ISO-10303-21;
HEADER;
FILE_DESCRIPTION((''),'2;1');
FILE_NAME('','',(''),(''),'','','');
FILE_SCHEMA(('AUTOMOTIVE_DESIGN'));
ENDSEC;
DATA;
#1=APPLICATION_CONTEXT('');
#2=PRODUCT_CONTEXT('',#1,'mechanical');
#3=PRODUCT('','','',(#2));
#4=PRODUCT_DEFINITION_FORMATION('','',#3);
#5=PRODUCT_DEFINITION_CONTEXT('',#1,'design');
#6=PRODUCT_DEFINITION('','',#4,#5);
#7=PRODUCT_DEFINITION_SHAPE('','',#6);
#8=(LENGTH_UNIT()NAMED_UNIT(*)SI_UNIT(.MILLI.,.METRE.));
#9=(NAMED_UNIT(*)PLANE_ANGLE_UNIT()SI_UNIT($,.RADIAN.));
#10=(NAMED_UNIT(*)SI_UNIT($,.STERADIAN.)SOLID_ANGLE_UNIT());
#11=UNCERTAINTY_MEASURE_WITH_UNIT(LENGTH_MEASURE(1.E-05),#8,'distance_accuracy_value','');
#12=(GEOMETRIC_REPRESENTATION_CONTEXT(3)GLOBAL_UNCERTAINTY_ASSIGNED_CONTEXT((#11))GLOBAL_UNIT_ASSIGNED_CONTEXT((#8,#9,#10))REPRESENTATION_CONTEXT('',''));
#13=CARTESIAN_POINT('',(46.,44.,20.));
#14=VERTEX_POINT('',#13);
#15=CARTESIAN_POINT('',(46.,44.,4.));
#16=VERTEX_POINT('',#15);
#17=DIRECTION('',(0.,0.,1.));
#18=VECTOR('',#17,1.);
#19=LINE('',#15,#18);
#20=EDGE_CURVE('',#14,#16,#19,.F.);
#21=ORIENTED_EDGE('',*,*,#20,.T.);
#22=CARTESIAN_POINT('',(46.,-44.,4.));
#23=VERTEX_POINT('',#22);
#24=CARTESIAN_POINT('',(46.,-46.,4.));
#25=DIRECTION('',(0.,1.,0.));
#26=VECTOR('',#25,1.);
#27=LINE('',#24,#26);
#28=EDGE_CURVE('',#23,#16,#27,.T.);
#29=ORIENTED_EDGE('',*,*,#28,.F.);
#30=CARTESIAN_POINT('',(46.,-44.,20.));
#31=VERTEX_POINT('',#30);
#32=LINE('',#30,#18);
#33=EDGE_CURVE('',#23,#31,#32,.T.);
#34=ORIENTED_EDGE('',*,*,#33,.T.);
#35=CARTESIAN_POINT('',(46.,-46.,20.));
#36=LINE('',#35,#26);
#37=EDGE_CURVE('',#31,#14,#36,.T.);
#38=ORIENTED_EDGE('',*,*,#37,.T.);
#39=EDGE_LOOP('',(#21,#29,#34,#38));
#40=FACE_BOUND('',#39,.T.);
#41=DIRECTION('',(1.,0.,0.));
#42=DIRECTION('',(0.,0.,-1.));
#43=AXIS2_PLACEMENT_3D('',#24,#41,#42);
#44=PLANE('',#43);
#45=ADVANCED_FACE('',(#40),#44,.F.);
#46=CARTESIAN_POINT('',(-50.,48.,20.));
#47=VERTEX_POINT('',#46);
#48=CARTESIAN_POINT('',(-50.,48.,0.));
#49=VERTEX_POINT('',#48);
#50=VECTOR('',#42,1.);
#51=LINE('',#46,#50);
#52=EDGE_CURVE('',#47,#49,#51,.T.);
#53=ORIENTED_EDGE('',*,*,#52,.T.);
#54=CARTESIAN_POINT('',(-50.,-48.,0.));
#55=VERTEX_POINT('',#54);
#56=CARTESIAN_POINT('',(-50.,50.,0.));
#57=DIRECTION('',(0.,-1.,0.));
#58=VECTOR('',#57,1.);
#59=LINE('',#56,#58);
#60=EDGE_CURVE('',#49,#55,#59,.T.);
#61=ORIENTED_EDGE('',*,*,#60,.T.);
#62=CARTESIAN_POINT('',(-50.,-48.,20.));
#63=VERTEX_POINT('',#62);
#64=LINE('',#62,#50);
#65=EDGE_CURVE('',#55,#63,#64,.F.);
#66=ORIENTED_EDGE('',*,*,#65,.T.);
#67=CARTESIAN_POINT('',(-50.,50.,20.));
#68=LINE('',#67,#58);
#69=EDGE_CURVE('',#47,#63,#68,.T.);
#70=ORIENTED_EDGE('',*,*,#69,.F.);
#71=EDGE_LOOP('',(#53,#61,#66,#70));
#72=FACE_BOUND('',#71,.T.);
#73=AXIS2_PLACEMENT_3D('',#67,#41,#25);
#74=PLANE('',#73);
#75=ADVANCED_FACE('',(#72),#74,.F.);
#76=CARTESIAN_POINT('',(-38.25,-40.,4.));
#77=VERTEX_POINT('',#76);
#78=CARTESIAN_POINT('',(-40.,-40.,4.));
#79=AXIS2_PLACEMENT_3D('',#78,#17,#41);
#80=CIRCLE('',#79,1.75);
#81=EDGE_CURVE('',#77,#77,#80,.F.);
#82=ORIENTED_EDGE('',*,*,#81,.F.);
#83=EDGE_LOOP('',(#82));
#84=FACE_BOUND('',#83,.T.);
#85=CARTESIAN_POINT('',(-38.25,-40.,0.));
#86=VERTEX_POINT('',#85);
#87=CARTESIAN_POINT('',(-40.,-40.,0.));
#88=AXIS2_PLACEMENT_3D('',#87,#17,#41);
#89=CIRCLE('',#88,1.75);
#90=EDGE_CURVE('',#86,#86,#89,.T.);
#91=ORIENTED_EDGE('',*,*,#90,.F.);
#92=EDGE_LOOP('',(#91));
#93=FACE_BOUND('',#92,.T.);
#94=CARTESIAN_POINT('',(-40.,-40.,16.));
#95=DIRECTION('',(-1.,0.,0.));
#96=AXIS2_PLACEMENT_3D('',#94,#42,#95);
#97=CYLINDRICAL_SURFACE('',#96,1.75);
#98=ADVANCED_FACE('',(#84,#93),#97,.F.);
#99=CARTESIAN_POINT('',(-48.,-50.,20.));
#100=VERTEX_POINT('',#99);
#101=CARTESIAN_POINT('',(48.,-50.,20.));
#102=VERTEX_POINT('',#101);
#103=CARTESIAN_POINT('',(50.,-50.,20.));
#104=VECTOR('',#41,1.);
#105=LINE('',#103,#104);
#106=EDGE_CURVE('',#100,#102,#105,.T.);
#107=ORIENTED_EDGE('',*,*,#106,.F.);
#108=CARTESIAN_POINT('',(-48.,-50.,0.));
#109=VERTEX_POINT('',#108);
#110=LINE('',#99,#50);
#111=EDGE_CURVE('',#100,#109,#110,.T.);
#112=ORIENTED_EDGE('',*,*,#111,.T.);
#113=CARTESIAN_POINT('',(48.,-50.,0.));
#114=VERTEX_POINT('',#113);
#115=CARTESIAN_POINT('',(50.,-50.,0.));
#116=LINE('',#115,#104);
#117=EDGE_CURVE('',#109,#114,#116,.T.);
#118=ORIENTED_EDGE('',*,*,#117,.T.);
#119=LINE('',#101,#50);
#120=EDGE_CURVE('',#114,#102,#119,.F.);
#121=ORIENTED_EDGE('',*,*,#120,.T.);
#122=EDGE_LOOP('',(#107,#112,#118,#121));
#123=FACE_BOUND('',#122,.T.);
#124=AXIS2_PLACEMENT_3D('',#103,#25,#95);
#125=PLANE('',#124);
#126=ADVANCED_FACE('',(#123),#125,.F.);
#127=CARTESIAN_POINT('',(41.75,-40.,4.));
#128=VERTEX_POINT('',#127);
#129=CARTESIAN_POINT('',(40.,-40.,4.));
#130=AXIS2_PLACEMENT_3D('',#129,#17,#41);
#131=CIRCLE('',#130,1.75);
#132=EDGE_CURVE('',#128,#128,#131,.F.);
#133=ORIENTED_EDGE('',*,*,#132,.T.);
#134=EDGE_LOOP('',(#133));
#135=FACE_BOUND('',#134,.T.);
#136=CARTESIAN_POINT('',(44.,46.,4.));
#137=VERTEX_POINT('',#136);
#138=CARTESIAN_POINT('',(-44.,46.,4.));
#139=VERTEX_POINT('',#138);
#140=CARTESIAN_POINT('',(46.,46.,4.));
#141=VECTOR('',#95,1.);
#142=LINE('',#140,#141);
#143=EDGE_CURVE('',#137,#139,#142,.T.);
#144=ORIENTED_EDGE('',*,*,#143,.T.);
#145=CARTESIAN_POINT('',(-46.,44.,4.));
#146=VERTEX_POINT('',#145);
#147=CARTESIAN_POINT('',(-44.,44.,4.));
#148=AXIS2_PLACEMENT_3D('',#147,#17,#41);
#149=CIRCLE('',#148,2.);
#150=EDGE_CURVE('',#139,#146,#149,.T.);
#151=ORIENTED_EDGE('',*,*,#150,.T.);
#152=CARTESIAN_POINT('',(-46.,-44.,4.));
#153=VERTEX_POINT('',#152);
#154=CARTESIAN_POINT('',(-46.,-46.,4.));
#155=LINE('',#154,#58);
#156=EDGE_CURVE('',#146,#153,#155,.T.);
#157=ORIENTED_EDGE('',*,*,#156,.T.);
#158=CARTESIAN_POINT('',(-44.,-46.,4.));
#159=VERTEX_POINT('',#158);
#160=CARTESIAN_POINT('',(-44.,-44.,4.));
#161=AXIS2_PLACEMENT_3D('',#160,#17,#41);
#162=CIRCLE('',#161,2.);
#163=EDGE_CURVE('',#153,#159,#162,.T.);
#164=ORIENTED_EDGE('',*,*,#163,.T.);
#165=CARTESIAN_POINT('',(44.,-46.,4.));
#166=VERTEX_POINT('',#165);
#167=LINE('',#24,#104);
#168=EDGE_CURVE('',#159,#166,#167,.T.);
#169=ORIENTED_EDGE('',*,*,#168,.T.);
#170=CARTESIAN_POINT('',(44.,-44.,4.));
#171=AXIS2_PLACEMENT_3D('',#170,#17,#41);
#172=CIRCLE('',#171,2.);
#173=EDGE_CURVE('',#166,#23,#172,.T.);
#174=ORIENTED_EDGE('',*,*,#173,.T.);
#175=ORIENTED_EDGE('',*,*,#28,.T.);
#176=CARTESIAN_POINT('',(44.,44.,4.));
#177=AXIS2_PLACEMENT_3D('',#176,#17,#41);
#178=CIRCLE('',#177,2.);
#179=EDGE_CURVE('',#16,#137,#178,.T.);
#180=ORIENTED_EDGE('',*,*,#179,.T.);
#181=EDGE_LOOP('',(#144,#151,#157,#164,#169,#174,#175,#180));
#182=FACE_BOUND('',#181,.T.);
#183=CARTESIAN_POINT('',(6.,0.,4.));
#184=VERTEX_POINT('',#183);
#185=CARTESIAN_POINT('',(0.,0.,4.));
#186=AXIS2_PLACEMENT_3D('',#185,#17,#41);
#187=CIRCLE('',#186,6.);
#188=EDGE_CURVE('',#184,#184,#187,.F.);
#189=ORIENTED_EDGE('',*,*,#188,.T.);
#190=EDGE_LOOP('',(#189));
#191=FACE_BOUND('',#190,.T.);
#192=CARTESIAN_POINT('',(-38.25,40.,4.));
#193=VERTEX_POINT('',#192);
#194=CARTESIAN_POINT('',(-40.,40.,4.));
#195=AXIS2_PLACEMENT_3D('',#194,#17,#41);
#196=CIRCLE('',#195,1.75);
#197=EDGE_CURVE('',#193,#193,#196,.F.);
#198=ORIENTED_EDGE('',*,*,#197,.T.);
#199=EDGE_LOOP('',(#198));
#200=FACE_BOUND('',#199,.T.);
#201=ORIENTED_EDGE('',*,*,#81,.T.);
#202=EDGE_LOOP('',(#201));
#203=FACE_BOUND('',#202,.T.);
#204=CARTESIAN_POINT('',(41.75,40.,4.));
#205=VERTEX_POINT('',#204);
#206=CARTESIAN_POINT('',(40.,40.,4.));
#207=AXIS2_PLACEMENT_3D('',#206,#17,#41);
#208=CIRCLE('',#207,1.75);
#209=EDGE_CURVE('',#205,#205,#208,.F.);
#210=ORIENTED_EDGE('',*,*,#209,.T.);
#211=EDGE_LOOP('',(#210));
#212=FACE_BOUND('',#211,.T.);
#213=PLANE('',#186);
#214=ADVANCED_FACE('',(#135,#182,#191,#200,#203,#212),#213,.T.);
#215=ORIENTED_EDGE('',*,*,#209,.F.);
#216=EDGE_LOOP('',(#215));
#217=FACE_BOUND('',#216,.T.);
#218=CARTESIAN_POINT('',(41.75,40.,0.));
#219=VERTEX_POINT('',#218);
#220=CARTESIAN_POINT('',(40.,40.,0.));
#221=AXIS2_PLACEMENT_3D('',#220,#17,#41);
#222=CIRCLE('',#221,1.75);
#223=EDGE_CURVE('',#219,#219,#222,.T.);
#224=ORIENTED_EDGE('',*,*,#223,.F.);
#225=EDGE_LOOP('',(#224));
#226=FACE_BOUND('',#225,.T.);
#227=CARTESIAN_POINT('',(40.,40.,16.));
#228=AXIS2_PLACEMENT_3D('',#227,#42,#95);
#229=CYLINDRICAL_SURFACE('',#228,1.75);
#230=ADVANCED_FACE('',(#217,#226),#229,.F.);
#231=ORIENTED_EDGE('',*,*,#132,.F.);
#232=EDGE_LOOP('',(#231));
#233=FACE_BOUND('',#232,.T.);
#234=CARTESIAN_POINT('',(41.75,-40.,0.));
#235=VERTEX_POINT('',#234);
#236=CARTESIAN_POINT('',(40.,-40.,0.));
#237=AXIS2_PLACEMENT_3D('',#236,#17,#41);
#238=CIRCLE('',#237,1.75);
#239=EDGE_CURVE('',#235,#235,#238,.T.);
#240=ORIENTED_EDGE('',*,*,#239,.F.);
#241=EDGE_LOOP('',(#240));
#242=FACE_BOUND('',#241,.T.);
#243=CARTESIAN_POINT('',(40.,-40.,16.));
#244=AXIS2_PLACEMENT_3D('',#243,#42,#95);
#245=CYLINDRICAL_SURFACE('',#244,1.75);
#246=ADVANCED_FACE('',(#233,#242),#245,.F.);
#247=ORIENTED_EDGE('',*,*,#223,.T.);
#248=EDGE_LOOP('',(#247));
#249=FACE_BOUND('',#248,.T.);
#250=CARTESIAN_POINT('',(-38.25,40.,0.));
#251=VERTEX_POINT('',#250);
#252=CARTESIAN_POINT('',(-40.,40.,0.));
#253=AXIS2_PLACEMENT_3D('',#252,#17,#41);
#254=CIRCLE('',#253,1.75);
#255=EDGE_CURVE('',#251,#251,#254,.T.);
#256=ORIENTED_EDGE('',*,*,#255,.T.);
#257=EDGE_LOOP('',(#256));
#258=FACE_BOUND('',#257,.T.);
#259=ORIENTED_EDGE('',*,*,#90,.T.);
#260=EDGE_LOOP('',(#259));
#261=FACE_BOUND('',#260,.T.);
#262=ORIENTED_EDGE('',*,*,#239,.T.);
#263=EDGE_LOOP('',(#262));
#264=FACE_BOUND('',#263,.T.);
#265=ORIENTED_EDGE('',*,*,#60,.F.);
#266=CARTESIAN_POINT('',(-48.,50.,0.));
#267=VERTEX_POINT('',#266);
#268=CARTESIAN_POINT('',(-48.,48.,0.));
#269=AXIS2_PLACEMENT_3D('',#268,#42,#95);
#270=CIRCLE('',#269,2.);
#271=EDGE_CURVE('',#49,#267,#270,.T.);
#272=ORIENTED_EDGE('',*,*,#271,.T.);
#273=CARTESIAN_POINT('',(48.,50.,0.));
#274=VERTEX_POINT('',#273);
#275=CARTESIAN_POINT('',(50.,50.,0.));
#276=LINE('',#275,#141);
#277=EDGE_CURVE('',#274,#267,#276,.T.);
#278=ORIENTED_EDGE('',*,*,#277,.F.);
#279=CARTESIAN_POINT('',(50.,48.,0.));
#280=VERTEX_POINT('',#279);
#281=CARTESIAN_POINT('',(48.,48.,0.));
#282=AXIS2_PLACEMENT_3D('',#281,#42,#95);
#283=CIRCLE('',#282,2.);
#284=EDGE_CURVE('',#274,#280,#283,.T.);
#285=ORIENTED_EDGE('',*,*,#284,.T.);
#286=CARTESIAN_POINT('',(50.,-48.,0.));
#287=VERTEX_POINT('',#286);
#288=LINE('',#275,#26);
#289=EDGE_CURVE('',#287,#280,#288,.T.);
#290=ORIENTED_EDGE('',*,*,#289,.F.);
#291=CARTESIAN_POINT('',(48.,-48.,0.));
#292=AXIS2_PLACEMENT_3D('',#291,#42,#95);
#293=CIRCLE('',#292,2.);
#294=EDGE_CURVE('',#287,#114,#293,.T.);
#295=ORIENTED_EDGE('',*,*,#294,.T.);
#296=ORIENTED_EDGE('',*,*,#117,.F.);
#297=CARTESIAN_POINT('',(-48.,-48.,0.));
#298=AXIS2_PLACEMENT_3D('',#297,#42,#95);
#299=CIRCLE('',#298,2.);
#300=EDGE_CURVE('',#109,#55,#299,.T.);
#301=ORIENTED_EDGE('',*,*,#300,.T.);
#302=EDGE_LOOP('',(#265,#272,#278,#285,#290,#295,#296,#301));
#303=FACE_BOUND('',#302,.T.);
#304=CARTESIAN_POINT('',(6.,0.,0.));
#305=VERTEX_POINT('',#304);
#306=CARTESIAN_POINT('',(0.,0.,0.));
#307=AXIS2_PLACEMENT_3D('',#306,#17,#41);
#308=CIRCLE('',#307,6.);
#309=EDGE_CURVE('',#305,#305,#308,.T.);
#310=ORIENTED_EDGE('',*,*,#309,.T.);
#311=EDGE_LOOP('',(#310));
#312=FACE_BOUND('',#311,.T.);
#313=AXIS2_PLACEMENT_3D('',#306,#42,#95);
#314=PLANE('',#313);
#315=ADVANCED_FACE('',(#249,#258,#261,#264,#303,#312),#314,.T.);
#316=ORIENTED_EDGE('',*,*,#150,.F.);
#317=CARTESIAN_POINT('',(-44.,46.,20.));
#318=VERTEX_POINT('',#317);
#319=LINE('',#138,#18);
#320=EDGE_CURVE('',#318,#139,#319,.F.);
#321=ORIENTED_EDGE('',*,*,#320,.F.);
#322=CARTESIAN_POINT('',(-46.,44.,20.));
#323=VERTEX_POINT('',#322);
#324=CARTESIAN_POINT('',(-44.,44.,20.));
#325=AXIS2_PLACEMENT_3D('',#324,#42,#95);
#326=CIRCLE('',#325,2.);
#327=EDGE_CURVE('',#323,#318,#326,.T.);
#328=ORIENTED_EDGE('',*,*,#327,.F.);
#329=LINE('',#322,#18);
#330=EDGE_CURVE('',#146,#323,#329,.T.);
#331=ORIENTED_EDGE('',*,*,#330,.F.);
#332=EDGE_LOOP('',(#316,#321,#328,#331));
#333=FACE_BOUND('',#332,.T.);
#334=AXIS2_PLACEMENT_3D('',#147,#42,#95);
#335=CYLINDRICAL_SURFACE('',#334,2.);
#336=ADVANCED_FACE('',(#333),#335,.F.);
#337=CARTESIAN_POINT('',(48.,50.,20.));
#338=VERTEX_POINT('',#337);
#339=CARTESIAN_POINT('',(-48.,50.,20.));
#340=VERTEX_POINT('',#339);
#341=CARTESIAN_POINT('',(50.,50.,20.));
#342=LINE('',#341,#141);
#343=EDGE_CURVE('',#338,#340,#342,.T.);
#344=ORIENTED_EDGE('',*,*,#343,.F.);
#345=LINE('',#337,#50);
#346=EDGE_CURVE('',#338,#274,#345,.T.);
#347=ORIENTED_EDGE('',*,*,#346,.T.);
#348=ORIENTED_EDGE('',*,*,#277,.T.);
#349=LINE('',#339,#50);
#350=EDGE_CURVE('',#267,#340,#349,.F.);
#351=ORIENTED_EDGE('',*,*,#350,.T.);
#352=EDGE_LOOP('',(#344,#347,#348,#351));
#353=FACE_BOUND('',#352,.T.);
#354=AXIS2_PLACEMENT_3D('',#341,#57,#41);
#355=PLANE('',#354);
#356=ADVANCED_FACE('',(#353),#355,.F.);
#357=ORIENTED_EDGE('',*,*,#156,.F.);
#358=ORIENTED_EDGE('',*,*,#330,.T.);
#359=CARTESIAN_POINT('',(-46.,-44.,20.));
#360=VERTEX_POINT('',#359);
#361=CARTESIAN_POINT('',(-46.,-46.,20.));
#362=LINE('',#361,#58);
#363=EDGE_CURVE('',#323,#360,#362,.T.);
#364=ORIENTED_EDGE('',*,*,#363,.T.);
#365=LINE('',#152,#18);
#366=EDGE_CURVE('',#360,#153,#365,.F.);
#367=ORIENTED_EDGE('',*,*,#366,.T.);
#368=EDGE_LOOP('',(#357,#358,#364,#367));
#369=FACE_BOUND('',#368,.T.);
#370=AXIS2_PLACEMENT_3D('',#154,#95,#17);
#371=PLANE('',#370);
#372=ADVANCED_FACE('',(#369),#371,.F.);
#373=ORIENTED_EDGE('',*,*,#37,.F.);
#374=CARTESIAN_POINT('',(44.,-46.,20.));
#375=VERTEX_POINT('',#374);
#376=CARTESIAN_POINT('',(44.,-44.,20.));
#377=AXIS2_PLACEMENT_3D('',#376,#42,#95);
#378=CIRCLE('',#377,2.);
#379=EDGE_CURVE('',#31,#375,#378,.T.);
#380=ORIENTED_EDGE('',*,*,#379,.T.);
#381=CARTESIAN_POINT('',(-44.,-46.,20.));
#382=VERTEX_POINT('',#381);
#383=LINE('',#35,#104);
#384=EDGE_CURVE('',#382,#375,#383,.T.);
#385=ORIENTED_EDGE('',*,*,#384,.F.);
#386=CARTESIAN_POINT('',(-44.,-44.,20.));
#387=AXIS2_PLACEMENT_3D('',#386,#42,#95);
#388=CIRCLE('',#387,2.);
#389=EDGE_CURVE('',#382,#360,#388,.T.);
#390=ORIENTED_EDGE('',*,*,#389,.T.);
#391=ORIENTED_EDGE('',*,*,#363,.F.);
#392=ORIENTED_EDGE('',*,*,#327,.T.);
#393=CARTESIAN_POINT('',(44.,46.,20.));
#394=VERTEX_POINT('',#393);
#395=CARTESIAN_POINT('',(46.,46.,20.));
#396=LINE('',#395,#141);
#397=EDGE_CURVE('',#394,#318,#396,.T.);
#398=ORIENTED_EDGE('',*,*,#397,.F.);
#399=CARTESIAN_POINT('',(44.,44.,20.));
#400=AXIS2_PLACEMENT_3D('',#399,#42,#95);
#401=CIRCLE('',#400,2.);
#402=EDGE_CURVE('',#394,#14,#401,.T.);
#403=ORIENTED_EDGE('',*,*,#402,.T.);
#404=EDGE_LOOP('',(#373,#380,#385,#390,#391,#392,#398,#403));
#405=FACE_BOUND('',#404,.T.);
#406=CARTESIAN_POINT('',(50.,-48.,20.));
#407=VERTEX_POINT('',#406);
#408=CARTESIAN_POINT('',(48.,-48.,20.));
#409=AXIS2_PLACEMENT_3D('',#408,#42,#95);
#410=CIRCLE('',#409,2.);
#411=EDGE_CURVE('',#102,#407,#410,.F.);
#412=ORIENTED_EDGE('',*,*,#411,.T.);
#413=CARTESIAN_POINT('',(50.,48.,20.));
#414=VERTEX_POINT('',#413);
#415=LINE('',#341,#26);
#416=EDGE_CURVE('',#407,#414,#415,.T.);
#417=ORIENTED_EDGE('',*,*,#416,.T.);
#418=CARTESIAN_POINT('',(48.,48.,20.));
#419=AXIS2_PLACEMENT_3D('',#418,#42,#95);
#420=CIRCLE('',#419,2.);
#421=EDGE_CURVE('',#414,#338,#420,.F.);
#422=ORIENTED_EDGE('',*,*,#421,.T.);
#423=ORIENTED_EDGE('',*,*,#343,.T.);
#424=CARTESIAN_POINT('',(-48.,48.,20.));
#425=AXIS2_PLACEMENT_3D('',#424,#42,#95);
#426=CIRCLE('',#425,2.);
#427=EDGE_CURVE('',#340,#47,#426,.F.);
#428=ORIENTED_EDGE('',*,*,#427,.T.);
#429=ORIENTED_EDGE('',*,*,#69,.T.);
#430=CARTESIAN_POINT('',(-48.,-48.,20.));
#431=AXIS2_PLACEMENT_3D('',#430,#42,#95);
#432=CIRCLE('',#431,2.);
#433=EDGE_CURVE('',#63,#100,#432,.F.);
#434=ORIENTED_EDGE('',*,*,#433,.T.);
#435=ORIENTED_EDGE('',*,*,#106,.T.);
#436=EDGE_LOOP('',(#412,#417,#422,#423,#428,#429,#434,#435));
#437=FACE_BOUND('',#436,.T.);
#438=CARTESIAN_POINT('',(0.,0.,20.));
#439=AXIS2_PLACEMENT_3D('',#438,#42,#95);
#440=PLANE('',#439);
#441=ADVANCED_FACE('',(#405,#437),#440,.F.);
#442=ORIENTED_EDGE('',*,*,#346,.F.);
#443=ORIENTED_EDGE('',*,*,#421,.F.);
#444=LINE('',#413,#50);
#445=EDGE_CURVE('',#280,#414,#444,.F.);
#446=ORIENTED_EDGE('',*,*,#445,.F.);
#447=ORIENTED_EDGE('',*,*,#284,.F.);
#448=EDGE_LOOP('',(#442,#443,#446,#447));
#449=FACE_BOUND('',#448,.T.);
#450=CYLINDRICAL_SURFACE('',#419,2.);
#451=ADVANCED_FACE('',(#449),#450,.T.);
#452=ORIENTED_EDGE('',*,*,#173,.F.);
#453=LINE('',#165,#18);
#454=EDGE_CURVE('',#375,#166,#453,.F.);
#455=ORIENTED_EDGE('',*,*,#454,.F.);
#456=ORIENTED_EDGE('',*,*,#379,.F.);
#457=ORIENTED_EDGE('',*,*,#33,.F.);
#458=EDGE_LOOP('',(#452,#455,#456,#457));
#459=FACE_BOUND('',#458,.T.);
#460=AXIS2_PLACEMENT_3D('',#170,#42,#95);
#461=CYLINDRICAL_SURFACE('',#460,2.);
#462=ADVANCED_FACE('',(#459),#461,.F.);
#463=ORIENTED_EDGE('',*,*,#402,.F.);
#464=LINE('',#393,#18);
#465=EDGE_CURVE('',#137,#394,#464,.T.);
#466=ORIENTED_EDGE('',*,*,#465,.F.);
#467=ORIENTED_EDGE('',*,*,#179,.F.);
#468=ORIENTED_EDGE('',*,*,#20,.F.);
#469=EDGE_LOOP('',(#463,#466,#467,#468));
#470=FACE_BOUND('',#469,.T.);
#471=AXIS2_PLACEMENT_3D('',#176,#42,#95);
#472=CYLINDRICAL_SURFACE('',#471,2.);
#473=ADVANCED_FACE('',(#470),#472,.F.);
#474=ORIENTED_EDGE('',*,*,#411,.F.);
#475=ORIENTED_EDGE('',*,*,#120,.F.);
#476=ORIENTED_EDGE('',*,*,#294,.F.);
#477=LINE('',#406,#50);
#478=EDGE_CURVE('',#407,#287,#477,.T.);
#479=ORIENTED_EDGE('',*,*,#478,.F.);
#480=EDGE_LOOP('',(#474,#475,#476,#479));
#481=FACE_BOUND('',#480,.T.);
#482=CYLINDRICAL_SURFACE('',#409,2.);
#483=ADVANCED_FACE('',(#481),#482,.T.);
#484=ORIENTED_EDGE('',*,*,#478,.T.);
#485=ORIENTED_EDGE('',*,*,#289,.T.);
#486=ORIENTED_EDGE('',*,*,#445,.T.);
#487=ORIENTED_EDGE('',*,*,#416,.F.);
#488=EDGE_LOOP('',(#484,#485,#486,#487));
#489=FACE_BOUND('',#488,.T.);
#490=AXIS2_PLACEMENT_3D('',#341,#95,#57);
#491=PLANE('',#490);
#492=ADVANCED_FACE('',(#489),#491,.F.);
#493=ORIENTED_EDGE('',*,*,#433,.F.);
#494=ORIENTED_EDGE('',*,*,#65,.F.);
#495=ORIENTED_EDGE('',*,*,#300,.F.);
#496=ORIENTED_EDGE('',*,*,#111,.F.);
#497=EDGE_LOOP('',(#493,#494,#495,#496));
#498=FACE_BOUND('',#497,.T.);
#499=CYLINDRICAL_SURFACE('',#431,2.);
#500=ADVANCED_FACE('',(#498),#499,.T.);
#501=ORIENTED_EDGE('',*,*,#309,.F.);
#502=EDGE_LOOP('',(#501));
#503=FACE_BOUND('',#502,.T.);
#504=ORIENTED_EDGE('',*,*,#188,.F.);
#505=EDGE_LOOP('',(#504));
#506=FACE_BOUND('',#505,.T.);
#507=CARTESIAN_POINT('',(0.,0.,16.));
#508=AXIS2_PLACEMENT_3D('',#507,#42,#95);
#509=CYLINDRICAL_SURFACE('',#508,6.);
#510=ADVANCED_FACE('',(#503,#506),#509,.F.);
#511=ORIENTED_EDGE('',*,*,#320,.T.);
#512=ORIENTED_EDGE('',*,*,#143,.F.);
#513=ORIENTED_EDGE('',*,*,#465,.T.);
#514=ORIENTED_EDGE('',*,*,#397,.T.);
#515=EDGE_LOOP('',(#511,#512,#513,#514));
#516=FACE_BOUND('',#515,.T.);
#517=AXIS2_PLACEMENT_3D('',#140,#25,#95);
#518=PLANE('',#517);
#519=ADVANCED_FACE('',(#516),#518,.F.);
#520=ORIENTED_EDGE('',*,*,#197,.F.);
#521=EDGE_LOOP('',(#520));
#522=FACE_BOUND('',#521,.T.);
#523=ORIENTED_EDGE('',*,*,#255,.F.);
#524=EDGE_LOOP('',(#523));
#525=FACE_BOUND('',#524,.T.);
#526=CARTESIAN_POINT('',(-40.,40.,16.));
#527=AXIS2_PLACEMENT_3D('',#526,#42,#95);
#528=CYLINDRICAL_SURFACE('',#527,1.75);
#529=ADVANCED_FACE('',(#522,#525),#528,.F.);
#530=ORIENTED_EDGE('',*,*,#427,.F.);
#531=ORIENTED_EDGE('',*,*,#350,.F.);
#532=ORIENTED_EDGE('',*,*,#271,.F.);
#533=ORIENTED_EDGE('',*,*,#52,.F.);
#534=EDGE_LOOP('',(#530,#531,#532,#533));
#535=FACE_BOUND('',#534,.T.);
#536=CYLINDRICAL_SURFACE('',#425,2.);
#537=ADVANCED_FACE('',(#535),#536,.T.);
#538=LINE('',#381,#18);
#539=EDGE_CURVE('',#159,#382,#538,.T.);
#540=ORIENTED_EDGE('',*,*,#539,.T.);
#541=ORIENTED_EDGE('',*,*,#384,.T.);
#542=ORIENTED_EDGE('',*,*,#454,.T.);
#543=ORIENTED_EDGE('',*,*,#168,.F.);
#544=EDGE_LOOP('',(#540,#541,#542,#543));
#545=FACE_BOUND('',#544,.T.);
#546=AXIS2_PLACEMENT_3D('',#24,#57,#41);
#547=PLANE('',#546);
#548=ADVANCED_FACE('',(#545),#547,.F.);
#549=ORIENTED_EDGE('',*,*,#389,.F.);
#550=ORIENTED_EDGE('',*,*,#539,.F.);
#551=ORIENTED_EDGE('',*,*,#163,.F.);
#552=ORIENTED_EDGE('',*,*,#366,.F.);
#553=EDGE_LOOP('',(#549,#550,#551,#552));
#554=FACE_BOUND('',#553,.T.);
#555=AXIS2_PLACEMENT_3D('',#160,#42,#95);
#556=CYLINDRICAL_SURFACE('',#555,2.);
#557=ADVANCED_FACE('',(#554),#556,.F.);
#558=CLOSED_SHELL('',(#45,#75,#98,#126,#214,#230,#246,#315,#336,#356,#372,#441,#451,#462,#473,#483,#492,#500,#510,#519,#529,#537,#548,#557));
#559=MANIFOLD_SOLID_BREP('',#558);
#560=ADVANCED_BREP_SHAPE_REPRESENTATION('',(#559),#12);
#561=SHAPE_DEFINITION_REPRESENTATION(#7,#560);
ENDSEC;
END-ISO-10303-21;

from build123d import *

# Parameters (mm, degrees)
SKETCH1_W           = 100
SKETCH1_H           = 100
BOSS_EXTRUDE1_DEPTH = 20
SKETCH2_W           = 92
SKETCH2_H           = 92
CUT_EXTRUDE1_DEPTH  = 16
FILLET1_R           = 2
SKETCH3_R           = 6
SKETCH3_R_2         = 1.75
CUT_EXTRUDE2_DEPTH  = 16


with BuildPart() as part:
    # Sketch1 → Boss-Extrude1 (new body)
    with BuildSketch(Plane.XY):
        Rectangle(SKETCH1_W, SKETCH1_H)
    extrude(amount=BOSS_EXTRUDE1_DEPTH)

    # Sketch2 → Cut-Extrude1 (cut)
    with BuildSketch(Plane.XY.offset(20)):
        Rectangle(SKETCH2_W, SKETCH2_H)
    extrude(amount=-CUT_EXTRUDE1_DEPTH, mode=Mode.SUBTRACT)

    # Fillet1
    fillet1_edges = [part.edges().sort_by_distance(p)[0] for p in [
        (-46, -46, 12),
        (-46, 46, 12),
        (46, 46, 12),
        (46, -46, 12),
        (-50, 50, 10),
        (50, 50, 10),
        (50, -50, 10),
        (-50, -50, 10),
    ]]
    fillet(fillet1_edges, radius=FILLET1_R)

    # Sketch3 → Cut-Extrude2 (cut)
    with BuildSketch(Plane.XY):
        Circle(SKETCH3_R)
        with Locations((-40, 40)):
            Circle(SKETCH3_R_2)
        with Locations((40, 40)):
            Circle(SKETCH3_R_2)
        with Locations((40, -40)):
            Circle(SKETCH3_R_2)
        with Locations((-40, -40)):
            Circle(SKETCH3_R_2)
    extrude(amount=CUT_EXTRUDE2_DEPTH, mode=Mode.SUBTRACT)


solid = part.part
